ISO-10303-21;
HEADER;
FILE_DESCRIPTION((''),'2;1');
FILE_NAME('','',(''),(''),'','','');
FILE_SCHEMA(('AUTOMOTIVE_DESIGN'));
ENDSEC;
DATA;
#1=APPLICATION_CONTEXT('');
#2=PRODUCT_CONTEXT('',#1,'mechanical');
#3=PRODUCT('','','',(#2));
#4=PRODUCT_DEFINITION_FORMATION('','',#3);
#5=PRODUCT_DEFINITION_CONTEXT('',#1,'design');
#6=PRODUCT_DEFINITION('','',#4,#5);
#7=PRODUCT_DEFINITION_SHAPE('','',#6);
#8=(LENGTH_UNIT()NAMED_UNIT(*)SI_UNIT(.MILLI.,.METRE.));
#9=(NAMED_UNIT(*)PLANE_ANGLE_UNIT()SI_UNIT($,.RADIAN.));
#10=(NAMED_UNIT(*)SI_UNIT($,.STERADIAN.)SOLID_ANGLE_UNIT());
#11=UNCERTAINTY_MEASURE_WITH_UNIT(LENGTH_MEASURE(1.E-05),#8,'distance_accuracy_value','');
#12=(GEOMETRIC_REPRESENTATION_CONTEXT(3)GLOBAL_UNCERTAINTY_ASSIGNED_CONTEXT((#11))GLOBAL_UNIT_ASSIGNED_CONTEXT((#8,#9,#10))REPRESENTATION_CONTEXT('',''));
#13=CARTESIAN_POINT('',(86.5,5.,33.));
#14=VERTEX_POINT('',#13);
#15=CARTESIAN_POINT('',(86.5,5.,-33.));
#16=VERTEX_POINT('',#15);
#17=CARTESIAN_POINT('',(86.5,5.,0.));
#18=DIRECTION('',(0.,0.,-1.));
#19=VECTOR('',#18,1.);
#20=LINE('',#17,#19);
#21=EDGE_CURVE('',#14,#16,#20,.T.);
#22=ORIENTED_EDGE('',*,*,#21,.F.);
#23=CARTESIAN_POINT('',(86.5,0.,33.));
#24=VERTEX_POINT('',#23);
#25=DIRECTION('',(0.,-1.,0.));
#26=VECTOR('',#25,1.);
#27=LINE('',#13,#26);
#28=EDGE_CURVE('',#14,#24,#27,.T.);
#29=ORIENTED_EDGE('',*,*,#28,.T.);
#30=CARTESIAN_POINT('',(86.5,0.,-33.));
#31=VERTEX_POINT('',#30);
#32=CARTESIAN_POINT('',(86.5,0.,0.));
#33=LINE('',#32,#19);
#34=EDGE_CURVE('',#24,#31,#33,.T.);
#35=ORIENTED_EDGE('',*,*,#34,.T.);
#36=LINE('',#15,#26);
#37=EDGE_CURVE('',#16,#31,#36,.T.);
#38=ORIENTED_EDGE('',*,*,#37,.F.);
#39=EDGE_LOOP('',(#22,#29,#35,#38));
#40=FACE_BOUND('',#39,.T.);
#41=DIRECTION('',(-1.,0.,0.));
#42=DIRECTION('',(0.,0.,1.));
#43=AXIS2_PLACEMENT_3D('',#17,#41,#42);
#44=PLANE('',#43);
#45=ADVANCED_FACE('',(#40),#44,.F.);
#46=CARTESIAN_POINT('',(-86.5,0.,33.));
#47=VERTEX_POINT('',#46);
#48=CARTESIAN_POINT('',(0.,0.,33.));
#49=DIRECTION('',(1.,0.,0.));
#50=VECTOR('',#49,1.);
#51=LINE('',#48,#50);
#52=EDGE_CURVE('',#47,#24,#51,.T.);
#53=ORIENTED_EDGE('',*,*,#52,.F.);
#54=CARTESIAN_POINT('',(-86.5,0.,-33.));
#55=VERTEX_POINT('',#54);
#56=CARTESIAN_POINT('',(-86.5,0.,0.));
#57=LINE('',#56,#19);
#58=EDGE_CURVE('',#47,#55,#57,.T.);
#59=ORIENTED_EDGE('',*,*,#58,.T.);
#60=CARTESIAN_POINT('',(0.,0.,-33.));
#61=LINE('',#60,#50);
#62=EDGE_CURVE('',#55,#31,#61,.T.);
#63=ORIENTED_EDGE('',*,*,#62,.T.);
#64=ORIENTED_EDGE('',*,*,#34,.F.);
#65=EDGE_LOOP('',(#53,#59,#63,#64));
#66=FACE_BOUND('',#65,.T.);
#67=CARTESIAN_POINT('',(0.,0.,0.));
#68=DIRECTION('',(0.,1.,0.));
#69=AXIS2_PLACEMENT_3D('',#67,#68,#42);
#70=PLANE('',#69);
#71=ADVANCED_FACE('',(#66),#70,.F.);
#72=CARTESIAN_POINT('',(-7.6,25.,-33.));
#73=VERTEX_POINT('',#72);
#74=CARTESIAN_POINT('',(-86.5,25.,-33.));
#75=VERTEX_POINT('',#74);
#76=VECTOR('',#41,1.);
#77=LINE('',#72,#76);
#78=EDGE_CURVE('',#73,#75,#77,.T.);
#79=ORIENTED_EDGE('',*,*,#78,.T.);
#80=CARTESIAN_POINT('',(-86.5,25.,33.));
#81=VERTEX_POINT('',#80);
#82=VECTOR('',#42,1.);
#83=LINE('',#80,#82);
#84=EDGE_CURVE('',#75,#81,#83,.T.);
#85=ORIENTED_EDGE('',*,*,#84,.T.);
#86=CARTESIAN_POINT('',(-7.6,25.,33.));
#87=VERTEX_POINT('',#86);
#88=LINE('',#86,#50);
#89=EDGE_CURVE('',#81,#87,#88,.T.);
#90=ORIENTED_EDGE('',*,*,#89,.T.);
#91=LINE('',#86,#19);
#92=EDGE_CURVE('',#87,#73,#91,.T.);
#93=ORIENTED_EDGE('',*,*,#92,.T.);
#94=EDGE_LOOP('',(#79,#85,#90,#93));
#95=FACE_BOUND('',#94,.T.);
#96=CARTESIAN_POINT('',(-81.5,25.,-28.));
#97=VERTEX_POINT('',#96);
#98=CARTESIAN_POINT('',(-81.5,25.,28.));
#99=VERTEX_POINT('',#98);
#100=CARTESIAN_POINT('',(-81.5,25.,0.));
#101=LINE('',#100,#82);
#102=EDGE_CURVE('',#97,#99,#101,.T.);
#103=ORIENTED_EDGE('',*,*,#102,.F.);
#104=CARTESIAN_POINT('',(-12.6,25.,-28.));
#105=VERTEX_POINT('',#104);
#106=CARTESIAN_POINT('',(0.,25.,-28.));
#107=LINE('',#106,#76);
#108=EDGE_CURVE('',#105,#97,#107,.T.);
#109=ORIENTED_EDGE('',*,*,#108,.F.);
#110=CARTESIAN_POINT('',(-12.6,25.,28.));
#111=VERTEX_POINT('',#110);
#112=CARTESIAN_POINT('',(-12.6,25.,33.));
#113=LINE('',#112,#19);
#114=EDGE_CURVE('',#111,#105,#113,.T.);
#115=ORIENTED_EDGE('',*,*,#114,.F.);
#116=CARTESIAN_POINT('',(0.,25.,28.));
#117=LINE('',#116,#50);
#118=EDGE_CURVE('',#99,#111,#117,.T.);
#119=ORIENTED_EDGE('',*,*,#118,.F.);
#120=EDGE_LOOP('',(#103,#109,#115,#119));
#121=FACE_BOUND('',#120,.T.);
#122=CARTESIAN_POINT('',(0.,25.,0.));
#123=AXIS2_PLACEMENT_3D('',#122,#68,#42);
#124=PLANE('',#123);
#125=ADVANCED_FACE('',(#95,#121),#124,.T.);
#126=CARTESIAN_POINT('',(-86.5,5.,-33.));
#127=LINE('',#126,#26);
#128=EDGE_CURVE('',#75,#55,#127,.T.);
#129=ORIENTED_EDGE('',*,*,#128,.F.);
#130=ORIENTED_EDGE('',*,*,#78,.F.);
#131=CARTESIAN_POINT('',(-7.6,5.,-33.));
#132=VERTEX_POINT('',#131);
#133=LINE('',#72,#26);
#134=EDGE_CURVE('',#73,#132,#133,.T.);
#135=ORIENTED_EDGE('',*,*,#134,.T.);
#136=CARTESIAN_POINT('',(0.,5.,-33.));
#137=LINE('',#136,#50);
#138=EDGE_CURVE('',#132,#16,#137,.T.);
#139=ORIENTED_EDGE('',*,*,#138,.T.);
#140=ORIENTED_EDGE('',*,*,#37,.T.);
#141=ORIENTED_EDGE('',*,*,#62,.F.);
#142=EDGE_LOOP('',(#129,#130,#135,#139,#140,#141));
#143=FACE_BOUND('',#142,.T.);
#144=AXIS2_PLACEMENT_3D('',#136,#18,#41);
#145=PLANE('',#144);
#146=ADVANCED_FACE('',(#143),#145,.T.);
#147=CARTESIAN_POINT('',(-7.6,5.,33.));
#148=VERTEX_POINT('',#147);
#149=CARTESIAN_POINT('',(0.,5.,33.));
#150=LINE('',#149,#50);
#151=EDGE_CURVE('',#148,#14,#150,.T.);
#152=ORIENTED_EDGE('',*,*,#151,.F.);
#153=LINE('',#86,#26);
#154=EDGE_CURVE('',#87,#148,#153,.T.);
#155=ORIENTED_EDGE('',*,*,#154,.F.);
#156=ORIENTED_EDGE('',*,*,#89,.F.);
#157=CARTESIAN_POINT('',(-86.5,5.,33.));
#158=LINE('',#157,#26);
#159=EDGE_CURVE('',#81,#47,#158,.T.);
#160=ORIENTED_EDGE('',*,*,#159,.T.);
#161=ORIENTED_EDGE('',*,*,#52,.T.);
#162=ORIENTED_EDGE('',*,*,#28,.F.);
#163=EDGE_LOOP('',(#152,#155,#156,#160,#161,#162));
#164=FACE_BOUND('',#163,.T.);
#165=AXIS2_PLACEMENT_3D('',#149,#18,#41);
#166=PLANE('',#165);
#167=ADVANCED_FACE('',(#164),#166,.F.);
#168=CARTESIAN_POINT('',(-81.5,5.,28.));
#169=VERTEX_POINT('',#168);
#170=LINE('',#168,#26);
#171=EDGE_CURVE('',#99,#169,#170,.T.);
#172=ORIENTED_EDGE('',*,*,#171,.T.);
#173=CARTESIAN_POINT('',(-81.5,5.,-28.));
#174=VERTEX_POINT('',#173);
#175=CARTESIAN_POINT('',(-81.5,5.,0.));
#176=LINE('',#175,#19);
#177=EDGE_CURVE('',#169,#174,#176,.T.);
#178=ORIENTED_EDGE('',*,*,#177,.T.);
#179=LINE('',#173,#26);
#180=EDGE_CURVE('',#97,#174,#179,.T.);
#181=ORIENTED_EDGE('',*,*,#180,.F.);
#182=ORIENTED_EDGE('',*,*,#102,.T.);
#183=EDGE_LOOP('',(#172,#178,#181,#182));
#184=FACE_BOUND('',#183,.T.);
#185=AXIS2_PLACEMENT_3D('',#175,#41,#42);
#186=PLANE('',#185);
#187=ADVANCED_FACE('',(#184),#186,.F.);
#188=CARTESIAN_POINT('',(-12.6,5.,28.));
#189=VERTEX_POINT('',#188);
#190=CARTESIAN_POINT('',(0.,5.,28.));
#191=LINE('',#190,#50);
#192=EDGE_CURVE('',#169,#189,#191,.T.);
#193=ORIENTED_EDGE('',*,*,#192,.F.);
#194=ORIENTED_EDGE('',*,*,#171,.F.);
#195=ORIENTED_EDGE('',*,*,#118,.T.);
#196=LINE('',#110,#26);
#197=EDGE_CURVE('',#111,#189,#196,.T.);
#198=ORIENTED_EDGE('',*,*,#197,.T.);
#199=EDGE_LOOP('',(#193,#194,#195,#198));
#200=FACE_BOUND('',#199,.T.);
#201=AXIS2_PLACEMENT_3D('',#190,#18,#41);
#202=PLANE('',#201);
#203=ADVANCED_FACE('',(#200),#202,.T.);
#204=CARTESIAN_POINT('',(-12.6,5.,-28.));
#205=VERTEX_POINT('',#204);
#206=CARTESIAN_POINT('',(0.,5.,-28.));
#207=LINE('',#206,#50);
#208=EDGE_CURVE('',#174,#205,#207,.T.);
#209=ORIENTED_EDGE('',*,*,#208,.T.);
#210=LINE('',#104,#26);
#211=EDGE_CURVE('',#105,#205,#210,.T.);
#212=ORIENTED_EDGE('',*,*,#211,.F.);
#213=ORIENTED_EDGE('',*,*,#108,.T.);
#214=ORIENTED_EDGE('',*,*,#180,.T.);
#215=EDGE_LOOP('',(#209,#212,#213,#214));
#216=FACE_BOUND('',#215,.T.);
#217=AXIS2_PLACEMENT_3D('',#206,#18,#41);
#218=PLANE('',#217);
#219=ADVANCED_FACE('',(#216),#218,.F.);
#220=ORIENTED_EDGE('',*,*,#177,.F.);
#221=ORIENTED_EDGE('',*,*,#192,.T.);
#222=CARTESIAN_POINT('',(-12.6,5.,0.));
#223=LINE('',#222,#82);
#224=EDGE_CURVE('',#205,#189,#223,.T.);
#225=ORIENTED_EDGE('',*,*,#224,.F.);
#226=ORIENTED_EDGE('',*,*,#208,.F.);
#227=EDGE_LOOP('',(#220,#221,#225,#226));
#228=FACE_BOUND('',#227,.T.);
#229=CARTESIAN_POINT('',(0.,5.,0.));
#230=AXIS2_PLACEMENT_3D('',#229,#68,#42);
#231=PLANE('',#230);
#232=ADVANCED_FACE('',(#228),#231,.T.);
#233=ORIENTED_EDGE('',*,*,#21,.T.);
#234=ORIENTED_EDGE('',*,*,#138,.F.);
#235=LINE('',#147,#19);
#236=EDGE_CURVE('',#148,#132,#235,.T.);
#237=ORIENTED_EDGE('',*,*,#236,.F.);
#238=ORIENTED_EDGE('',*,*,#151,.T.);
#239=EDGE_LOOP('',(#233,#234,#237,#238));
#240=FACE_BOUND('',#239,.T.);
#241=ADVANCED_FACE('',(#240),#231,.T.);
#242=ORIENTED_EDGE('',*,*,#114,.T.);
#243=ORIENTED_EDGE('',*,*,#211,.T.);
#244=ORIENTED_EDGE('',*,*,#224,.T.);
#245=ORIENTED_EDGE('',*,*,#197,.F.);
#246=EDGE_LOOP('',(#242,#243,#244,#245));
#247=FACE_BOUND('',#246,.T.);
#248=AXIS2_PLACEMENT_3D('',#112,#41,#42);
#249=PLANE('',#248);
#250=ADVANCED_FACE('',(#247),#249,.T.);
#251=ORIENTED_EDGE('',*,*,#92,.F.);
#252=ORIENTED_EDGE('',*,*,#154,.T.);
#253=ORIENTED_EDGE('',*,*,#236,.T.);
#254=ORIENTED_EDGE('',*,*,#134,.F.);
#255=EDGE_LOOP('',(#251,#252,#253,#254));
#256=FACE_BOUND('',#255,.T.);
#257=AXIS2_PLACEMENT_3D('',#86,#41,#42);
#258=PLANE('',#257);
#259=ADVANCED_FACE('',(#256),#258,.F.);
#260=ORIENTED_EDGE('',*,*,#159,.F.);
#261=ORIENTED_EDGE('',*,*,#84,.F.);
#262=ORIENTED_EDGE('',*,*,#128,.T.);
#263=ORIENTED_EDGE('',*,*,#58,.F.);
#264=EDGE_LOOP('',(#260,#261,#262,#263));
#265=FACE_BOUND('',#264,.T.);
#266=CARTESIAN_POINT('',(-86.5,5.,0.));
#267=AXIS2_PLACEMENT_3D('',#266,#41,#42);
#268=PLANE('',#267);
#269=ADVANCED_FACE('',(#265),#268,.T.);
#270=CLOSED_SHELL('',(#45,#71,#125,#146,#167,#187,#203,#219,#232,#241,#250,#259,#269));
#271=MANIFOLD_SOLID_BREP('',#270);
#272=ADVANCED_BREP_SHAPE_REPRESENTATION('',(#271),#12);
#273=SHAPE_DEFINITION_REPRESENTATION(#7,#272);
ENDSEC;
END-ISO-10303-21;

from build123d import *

# Parameters (mm, degrees)
SKETCH1_W           = 173
SKETCH1_H           = 66
BOSS_EXTRUDE1_DEPTH = 5
SKETCH3_W           = 78.9
SKETCH3_H           = 66
BOSS_EXTRUDE2_DEPTH = 20
SHELL1_T            = -5


with BuildPart() as part:
    # Sketch1 → Boss-Extrude1 (new body)
    with BuildSketch(Plane(origin=(0, 0, 0), x_dir=(1, 0, 0), z_dir=(0, 1, 0))):
        Rectangle(SKETCH1_W, SKETCH1_H)
    extrude(amount=BOSS_EXTRUDE1_DEPTH)

    # Sketch3 → Boss-Extrude2 (add)
    with BuildSketch(Plane(origin=(0, 5, 0), x_dir=(1, 0, 0), z_dir=(0, 1, 0))):
        with Locations((-47.05, 0)):
            Rectangle(SKETCH3_W, SKETCH3_H)
    extrude(amount=BOSS_EXTRUDE2_DEPTH)

    # Shell1
    shell1_openings = [part.faces().sort_by_distance(p)[0] for p in [
        (-47.05, 25, 0),
    ]]
    offset(amount=SHELL1_T, openings=shell1_openings, kind=Kind.INTERSECTION)


solid = part.part
